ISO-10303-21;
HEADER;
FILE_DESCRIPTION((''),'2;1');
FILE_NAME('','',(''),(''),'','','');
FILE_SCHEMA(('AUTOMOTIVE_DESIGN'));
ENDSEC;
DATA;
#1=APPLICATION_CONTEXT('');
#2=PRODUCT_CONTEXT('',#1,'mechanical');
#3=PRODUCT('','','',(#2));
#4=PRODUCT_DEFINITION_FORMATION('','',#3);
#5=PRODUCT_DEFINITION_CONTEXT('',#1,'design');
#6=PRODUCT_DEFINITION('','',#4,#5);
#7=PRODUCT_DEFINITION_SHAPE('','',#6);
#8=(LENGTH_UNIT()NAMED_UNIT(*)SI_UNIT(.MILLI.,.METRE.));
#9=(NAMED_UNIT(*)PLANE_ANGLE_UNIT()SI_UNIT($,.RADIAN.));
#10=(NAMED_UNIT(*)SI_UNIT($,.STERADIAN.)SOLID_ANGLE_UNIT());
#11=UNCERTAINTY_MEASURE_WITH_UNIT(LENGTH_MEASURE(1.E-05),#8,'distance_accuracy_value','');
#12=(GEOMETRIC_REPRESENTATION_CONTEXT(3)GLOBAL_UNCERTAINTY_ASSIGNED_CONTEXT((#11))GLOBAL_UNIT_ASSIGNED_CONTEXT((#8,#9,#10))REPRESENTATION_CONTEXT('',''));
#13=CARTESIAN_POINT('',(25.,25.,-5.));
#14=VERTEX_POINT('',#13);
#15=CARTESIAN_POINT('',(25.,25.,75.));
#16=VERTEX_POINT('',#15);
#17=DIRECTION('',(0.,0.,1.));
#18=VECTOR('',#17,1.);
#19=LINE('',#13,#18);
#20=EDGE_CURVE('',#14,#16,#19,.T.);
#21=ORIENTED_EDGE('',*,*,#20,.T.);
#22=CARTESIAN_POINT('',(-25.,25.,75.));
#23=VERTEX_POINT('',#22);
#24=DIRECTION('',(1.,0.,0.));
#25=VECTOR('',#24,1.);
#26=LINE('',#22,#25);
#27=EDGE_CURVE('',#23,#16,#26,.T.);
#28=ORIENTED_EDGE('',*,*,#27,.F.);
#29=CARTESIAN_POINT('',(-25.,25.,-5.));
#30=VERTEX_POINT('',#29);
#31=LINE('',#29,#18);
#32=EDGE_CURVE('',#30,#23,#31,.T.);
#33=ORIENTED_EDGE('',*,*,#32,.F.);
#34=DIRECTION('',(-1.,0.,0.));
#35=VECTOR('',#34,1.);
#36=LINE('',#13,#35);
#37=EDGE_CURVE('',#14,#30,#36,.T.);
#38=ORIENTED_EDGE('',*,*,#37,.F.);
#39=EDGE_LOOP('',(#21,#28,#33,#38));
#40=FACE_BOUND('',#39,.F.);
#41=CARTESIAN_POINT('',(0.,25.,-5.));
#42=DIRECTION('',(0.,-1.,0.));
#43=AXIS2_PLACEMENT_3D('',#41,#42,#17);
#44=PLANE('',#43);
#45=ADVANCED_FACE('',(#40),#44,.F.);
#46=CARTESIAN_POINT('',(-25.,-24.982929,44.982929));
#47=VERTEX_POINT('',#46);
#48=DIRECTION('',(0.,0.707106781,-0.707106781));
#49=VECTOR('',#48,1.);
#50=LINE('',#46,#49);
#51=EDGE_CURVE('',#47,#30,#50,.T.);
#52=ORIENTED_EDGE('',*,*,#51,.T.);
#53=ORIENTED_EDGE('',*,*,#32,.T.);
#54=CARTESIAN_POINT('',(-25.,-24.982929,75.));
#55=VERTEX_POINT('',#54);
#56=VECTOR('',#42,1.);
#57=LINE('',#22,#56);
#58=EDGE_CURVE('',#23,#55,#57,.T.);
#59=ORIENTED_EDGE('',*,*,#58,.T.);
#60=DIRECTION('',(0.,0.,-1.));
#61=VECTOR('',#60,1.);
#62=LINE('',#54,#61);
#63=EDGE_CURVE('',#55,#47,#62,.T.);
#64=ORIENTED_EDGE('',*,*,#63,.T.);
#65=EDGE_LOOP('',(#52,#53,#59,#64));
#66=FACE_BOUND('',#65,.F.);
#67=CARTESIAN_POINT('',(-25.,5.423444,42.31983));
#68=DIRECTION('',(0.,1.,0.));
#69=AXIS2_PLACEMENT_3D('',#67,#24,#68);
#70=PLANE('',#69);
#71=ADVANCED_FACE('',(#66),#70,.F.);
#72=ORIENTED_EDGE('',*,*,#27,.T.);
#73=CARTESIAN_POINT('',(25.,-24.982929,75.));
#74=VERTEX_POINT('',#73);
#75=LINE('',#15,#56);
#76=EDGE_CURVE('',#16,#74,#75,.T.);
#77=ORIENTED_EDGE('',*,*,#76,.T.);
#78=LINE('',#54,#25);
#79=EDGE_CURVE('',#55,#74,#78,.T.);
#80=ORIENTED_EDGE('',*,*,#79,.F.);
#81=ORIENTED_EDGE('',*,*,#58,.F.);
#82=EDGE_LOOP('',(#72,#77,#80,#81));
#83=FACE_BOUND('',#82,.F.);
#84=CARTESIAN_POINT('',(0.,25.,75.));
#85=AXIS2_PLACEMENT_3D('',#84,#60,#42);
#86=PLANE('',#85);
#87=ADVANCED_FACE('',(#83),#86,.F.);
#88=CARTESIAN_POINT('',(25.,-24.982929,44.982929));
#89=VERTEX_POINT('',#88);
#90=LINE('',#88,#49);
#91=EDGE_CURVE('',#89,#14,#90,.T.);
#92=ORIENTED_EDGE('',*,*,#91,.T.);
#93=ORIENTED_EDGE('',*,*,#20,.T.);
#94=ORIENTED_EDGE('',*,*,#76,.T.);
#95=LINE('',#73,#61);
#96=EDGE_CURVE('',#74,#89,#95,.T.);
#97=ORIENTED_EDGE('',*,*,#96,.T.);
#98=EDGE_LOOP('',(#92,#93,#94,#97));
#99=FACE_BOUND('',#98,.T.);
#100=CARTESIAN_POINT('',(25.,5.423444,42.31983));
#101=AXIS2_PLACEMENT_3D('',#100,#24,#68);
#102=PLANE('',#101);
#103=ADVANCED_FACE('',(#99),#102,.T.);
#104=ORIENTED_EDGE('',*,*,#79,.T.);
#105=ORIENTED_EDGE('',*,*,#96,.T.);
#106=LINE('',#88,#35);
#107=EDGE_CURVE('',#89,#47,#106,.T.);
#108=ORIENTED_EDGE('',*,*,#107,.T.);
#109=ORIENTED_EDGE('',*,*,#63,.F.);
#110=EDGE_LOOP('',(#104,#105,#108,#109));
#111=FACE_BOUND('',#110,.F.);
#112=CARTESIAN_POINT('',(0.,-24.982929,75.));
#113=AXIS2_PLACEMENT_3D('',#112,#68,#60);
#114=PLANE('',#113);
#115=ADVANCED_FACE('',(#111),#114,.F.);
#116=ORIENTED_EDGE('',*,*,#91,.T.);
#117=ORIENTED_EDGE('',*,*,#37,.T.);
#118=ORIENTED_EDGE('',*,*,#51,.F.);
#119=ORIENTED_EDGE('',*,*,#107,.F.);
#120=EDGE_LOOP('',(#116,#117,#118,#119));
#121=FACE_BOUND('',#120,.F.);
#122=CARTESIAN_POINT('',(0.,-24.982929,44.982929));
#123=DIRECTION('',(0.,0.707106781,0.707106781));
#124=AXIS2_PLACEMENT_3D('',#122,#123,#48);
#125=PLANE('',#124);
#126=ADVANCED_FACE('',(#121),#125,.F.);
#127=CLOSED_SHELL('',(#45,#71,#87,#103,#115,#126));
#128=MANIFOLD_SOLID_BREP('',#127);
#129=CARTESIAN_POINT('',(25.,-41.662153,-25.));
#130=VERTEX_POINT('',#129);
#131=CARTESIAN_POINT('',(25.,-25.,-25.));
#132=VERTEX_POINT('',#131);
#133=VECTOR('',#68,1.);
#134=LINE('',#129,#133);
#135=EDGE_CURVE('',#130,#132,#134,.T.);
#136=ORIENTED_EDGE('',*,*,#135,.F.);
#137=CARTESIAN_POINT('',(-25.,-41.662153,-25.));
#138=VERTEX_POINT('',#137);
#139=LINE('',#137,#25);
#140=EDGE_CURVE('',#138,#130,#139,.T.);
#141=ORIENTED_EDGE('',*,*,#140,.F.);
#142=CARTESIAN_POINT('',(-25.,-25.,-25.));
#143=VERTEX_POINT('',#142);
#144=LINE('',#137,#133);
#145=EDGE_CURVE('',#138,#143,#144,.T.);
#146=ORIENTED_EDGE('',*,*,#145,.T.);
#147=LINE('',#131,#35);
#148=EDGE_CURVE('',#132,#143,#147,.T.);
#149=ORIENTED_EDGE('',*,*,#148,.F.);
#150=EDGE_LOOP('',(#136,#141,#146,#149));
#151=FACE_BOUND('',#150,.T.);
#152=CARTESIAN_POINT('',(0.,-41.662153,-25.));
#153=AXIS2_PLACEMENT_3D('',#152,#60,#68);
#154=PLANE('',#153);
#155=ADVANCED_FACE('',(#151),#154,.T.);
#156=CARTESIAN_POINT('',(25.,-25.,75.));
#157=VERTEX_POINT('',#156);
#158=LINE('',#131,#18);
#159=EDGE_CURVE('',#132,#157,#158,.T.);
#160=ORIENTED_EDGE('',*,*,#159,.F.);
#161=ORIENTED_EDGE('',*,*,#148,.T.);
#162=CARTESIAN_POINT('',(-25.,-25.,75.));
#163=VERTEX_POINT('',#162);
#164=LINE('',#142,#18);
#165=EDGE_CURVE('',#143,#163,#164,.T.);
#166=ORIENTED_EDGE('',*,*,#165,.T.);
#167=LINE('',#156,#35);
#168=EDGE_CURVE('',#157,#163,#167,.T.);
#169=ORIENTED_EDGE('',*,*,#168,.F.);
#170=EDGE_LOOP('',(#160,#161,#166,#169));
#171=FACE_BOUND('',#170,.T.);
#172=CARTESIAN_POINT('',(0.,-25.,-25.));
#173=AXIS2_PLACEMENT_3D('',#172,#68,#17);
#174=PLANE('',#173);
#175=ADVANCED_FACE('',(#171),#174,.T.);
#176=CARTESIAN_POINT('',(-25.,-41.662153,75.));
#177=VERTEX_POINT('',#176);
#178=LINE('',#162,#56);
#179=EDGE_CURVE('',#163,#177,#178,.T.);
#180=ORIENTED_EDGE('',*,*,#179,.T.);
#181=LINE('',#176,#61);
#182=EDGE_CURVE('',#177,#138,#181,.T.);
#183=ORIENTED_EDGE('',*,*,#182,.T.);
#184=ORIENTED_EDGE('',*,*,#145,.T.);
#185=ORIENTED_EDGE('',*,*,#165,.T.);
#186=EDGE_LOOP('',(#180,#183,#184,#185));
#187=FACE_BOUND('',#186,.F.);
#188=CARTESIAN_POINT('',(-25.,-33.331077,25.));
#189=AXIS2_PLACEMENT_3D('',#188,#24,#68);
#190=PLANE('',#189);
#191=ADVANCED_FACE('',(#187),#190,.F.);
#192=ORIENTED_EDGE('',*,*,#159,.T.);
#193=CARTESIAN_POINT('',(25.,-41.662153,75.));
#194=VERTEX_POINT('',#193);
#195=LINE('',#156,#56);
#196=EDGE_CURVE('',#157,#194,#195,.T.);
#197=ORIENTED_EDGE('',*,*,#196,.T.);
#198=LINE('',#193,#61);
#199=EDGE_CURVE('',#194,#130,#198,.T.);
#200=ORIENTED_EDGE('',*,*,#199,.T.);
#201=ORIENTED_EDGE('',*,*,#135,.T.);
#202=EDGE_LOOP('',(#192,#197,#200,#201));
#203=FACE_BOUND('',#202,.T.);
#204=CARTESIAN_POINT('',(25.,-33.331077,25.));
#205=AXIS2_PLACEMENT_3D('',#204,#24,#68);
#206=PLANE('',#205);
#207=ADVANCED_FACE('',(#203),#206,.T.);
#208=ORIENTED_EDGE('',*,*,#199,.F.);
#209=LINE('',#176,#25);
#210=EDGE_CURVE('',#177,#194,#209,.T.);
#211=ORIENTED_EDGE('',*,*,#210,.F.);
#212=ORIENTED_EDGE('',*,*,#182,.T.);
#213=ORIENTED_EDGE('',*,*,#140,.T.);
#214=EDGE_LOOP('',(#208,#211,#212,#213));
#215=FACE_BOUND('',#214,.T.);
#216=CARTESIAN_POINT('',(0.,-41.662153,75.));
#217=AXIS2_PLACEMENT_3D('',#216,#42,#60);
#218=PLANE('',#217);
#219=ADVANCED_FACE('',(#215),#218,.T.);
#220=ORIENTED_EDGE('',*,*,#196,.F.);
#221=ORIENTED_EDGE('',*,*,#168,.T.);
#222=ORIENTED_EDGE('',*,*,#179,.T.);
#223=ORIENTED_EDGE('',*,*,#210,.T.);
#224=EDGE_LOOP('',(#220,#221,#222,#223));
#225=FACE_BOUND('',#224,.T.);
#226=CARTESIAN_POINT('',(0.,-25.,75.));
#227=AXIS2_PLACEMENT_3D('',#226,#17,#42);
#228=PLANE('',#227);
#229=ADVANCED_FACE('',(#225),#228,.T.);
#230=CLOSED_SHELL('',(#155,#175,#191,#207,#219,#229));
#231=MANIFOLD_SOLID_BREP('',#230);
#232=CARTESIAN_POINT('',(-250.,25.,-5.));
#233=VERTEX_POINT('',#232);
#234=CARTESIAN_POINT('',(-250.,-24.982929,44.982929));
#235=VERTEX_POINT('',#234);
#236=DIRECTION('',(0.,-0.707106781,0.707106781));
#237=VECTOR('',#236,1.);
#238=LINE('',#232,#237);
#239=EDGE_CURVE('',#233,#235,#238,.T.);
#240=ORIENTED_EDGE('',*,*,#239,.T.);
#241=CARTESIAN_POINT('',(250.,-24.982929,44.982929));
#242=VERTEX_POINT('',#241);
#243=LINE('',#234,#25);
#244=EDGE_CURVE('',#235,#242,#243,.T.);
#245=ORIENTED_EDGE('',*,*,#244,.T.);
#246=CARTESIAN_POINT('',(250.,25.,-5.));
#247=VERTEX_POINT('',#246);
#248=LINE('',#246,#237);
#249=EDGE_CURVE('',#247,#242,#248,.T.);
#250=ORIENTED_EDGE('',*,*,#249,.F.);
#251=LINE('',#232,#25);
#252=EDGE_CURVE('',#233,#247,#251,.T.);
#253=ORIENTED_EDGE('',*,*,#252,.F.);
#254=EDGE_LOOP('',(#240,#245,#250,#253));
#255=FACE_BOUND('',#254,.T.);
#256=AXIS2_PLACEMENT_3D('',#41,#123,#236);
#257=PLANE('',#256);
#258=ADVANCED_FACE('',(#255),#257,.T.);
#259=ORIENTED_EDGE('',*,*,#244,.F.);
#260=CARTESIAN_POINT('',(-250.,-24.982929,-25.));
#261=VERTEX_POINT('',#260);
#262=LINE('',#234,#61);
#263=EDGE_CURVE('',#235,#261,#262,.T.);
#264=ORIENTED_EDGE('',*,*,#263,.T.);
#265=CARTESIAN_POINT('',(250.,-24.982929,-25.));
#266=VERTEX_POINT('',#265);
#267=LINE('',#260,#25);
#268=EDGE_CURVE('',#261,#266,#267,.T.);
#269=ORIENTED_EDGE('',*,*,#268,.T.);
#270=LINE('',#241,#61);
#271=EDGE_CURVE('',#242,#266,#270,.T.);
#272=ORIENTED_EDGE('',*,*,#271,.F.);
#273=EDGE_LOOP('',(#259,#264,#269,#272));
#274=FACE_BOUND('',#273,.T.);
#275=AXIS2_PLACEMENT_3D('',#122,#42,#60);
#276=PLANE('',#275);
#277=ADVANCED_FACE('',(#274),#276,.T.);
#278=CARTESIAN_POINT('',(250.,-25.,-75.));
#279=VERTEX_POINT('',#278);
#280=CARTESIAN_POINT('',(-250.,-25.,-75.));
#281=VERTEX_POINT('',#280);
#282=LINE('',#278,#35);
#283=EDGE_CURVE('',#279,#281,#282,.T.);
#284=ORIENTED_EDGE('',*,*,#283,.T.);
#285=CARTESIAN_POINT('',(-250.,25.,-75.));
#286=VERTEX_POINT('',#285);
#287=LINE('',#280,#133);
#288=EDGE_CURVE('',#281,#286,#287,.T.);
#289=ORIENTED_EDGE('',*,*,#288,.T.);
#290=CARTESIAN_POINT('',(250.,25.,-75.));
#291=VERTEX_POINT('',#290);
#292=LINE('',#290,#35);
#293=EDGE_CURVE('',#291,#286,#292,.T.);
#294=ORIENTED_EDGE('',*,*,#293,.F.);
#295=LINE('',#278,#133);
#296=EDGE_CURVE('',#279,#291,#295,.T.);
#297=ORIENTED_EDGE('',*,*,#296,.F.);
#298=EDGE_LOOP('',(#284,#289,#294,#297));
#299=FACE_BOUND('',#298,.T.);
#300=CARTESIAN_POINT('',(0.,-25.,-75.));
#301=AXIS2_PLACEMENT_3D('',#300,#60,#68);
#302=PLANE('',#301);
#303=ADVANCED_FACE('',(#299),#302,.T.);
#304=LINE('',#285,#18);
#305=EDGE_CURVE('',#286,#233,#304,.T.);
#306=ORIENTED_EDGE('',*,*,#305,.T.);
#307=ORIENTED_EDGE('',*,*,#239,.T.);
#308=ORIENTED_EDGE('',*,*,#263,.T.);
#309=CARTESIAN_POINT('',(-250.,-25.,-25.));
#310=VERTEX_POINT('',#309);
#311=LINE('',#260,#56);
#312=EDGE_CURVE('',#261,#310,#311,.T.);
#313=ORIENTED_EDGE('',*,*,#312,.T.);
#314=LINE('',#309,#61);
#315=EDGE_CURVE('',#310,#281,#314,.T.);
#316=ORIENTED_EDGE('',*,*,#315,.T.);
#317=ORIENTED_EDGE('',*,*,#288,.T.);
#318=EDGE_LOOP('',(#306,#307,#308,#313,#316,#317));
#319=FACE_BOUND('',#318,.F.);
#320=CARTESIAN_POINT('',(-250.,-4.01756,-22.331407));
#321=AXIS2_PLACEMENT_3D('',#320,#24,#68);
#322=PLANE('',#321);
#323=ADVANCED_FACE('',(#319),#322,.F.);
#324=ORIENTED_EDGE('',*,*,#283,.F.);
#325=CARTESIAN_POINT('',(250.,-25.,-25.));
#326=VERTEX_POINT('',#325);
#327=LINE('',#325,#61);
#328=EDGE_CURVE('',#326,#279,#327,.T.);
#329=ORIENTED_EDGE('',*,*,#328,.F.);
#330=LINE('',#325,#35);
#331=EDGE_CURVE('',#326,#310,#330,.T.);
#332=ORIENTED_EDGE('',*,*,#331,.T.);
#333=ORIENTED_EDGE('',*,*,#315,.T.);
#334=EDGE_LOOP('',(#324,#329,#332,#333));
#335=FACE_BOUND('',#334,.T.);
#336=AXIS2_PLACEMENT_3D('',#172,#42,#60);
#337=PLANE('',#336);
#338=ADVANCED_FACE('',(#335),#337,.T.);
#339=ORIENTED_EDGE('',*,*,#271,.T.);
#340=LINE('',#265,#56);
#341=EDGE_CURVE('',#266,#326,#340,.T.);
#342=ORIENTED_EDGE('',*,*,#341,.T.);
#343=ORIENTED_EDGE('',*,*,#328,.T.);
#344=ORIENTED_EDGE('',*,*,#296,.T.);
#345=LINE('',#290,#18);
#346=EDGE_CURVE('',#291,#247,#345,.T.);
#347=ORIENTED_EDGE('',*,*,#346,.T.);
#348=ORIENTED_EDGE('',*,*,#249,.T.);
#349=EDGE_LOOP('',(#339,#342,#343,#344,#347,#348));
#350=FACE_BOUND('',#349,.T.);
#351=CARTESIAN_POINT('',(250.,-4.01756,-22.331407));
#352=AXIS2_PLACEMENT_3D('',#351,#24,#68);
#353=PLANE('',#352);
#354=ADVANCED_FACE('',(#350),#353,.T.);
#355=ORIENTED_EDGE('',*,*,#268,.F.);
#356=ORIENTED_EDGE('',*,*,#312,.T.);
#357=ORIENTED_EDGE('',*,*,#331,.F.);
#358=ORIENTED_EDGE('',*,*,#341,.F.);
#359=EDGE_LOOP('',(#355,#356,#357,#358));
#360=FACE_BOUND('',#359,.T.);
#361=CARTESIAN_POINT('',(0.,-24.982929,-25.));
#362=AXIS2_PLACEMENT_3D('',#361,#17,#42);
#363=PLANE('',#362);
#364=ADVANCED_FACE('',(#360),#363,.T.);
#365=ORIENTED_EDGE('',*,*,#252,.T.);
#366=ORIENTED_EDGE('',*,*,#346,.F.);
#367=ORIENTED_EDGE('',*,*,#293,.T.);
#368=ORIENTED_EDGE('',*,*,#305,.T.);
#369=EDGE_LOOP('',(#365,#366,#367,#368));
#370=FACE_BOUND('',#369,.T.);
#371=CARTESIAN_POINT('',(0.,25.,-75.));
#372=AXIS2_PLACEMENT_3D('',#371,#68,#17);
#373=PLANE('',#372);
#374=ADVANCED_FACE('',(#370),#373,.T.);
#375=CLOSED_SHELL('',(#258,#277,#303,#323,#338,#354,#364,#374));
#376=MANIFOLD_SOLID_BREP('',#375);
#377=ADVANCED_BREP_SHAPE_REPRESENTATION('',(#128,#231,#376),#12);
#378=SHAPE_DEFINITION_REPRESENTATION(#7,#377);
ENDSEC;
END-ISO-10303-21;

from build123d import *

# Parameters (mm, degrees)
F1_DEPTH = 250
F2_DEPTH = 25


with BuildPart() as f1:
    # F0 (on Right) → F1 (new body, symmetric)
    with BuildSketch(Plane.YZ):
        Polygon((25, -75), (25, -5), (-24.982929, 44.982929), (-24.982929, -25), (-25, -25), (-25, -75), align=None)
    extrude(amount=F1_DEPTH, both=True)


with BuildPart() as f2:
    # F0 (on Right) → F2 (new body, symmetric)
    with BuildSketch(Plane.YZ):
        Polygon((25, -5), (25, 75), (-24.982929, 75), (-24.982929, 44.982929), align=None)
        Polygon((-25, 45), (-25, 75), (-41.662153, 75), (-41.662153, -25), (-25, -25), align=None)
    extrude(amount=F2_DEPTH, both=True)


solid = Compound([f1.part, f2.part])
